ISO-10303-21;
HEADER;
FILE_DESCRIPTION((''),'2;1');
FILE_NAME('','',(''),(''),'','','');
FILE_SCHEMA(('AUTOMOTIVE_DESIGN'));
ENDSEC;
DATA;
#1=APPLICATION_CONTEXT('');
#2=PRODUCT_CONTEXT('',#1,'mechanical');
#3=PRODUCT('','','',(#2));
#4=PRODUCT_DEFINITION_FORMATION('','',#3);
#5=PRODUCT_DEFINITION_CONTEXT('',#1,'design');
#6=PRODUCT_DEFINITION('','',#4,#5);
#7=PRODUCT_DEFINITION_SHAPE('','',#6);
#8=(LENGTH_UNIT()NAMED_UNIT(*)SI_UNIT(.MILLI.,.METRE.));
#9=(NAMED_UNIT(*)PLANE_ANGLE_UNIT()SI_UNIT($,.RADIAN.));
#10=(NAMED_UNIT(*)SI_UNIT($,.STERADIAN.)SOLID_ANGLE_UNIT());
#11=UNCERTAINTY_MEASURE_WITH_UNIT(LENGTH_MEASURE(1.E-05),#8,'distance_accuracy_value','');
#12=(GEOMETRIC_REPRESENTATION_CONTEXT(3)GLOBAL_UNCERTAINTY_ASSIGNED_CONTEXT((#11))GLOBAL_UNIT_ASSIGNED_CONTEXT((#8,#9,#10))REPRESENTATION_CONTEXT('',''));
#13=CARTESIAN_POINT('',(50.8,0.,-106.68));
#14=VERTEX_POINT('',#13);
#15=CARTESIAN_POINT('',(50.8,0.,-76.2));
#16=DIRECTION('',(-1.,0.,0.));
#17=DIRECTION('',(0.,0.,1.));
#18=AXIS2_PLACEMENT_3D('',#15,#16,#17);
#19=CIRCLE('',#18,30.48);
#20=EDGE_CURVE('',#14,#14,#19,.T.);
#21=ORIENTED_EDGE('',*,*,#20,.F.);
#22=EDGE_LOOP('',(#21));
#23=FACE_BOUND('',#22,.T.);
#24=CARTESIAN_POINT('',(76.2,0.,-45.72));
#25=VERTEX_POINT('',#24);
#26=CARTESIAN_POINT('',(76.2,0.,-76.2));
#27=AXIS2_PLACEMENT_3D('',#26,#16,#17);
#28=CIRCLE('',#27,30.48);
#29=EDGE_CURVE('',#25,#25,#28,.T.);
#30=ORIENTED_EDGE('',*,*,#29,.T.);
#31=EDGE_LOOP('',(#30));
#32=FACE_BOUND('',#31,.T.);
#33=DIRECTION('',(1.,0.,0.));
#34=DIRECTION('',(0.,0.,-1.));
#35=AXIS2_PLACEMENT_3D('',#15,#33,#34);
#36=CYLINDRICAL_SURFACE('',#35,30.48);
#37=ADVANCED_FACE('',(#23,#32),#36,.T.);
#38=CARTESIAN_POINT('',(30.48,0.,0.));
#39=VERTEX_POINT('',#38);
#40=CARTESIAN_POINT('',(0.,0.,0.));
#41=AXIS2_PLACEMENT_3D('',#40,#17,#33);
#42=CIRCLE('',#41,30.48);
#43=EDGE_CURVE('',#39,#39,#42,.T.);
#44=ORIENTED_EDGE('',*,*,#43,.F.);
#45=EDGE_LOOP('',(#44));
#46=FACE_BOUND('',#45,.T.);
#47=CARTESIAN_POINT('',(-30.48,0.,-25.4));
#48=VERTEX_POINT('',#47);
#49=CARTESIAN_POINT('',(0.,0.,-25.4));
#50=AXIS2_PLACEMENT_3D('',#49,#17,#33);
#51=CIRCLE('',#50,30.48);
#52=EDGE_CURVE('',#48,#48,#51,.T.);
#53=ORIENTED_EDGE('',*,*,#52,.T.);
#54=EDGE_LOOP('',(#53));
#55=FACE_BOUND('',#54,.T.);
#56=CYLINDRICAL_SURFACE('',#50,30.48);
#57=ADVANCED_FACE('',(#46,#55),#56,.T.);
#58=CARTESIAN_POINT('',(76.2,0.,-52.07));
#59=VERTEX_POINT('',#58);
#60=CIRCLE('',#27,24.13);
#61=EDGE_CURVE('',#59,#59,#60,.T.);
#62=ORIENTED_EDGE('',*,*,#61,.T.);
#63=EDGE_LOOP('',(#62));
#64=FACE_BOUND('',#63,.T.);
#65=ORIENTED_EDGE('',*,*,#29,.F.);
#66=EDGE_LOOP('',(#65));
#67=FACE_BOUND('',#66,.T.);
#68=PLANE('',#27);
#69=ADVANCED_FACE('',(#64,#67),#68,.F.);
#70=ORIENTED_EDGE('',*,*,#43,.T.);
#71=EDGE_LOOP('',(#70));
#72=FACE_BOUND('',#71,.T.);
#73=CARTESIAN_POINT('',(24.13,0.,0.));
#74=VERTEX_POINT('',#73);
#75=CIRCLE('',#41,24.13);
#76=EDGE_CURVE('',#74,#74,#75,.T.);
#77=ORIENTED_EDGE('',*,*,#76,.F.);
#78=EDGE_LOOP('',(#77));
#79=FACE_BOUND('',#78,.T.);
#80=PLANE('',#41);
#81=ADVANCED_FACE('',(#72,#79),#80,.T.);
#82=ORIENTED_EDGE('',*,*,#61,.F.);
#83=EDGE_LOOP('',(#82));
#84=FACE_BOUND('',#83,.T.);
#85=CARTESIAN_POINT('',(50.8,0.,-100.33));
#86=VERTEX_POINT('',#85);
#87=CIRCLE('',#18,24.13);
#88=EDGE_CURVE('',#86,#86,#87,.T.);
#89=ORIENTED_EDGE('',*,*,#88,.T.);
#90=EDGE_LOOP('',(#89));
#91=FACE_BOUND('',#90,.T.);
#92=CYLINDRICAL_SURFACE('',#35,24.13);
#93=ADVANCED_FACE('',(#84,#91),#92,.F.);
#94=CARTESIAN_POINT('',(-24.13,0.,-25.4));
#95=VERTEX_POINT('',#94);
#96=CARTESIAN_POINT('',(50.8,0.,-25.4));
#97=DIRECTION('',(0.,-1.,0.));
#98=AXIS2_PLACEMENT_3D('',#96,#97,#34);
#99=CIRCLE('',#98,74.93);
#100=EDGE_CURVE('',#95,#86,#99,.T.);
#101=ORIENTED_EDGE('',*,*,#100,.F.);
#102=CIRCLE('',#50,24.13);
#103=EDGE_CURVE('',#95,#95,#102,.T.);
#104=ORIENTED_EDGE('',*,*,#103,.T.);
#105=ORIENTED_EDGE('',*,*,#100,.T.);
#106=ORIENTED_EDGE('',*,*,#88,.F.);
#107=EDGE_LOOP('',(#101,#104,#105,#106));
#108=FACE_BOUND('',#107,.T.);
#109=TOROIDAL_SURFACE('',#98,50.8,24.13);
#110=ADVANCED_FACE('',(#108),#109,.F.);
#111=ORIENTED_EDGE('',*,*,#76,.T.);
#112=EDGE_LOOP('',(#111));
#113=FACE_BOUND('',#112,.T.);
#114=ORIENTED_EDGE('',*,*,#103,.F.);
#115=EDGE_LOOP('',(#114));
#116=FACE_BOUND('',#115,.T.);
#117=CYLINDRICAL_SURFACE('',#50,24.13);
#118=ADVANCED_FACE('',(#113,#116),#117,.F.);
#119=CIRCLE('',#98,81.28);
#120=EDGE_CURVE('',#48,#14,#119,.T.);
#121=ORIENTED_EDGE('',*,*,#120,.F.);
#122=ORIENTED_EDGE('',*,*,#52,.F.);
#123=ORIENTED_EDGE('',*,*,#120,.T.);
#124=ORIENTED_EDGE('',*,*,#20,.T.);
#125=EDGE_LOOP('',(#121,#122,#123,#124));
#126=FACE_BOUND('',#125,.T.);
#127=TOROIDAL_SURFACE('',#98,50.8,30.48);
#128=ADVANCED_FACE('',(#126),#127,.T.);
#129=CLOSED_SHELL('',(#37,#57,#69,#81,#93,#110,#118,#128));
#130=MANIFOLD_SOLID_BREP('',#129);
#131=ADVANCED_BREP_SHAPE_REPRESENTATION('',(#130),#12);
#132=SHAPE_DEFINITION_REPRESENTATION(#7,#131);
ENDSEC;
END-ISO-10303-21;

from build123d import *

# Parameters (mm, degrees)
SKETCH2_R   = 30.48
SKETCH2_R_2 = 24.13


with BuildPart() as part:
    # Sweep1: sweep along a path in Sketch1
    with BuildLine(Plane(origin=(0, 0, 0), x_dir=(1, 0, 0), z_dir=(0, 1, 0))) as sweep1_path:
        Line((0, 0), (0, 25.4))
        ThreePointArc((0, 25.4), (14.878975516, 61.321024484), (50.8, 76.2))
        Line((50.8, 76.2), (76.2, 76.2))
    # Sketch2 → Sweep1 (sweep)
    with BuildSketch(Plane.XY):
        Circle(SKETCH2_R)
        Circle(SKETCH2_R_2, mode=Mode.SUBTRACT)
    sweep(path=sweep1_path.line)


solid = part.part
